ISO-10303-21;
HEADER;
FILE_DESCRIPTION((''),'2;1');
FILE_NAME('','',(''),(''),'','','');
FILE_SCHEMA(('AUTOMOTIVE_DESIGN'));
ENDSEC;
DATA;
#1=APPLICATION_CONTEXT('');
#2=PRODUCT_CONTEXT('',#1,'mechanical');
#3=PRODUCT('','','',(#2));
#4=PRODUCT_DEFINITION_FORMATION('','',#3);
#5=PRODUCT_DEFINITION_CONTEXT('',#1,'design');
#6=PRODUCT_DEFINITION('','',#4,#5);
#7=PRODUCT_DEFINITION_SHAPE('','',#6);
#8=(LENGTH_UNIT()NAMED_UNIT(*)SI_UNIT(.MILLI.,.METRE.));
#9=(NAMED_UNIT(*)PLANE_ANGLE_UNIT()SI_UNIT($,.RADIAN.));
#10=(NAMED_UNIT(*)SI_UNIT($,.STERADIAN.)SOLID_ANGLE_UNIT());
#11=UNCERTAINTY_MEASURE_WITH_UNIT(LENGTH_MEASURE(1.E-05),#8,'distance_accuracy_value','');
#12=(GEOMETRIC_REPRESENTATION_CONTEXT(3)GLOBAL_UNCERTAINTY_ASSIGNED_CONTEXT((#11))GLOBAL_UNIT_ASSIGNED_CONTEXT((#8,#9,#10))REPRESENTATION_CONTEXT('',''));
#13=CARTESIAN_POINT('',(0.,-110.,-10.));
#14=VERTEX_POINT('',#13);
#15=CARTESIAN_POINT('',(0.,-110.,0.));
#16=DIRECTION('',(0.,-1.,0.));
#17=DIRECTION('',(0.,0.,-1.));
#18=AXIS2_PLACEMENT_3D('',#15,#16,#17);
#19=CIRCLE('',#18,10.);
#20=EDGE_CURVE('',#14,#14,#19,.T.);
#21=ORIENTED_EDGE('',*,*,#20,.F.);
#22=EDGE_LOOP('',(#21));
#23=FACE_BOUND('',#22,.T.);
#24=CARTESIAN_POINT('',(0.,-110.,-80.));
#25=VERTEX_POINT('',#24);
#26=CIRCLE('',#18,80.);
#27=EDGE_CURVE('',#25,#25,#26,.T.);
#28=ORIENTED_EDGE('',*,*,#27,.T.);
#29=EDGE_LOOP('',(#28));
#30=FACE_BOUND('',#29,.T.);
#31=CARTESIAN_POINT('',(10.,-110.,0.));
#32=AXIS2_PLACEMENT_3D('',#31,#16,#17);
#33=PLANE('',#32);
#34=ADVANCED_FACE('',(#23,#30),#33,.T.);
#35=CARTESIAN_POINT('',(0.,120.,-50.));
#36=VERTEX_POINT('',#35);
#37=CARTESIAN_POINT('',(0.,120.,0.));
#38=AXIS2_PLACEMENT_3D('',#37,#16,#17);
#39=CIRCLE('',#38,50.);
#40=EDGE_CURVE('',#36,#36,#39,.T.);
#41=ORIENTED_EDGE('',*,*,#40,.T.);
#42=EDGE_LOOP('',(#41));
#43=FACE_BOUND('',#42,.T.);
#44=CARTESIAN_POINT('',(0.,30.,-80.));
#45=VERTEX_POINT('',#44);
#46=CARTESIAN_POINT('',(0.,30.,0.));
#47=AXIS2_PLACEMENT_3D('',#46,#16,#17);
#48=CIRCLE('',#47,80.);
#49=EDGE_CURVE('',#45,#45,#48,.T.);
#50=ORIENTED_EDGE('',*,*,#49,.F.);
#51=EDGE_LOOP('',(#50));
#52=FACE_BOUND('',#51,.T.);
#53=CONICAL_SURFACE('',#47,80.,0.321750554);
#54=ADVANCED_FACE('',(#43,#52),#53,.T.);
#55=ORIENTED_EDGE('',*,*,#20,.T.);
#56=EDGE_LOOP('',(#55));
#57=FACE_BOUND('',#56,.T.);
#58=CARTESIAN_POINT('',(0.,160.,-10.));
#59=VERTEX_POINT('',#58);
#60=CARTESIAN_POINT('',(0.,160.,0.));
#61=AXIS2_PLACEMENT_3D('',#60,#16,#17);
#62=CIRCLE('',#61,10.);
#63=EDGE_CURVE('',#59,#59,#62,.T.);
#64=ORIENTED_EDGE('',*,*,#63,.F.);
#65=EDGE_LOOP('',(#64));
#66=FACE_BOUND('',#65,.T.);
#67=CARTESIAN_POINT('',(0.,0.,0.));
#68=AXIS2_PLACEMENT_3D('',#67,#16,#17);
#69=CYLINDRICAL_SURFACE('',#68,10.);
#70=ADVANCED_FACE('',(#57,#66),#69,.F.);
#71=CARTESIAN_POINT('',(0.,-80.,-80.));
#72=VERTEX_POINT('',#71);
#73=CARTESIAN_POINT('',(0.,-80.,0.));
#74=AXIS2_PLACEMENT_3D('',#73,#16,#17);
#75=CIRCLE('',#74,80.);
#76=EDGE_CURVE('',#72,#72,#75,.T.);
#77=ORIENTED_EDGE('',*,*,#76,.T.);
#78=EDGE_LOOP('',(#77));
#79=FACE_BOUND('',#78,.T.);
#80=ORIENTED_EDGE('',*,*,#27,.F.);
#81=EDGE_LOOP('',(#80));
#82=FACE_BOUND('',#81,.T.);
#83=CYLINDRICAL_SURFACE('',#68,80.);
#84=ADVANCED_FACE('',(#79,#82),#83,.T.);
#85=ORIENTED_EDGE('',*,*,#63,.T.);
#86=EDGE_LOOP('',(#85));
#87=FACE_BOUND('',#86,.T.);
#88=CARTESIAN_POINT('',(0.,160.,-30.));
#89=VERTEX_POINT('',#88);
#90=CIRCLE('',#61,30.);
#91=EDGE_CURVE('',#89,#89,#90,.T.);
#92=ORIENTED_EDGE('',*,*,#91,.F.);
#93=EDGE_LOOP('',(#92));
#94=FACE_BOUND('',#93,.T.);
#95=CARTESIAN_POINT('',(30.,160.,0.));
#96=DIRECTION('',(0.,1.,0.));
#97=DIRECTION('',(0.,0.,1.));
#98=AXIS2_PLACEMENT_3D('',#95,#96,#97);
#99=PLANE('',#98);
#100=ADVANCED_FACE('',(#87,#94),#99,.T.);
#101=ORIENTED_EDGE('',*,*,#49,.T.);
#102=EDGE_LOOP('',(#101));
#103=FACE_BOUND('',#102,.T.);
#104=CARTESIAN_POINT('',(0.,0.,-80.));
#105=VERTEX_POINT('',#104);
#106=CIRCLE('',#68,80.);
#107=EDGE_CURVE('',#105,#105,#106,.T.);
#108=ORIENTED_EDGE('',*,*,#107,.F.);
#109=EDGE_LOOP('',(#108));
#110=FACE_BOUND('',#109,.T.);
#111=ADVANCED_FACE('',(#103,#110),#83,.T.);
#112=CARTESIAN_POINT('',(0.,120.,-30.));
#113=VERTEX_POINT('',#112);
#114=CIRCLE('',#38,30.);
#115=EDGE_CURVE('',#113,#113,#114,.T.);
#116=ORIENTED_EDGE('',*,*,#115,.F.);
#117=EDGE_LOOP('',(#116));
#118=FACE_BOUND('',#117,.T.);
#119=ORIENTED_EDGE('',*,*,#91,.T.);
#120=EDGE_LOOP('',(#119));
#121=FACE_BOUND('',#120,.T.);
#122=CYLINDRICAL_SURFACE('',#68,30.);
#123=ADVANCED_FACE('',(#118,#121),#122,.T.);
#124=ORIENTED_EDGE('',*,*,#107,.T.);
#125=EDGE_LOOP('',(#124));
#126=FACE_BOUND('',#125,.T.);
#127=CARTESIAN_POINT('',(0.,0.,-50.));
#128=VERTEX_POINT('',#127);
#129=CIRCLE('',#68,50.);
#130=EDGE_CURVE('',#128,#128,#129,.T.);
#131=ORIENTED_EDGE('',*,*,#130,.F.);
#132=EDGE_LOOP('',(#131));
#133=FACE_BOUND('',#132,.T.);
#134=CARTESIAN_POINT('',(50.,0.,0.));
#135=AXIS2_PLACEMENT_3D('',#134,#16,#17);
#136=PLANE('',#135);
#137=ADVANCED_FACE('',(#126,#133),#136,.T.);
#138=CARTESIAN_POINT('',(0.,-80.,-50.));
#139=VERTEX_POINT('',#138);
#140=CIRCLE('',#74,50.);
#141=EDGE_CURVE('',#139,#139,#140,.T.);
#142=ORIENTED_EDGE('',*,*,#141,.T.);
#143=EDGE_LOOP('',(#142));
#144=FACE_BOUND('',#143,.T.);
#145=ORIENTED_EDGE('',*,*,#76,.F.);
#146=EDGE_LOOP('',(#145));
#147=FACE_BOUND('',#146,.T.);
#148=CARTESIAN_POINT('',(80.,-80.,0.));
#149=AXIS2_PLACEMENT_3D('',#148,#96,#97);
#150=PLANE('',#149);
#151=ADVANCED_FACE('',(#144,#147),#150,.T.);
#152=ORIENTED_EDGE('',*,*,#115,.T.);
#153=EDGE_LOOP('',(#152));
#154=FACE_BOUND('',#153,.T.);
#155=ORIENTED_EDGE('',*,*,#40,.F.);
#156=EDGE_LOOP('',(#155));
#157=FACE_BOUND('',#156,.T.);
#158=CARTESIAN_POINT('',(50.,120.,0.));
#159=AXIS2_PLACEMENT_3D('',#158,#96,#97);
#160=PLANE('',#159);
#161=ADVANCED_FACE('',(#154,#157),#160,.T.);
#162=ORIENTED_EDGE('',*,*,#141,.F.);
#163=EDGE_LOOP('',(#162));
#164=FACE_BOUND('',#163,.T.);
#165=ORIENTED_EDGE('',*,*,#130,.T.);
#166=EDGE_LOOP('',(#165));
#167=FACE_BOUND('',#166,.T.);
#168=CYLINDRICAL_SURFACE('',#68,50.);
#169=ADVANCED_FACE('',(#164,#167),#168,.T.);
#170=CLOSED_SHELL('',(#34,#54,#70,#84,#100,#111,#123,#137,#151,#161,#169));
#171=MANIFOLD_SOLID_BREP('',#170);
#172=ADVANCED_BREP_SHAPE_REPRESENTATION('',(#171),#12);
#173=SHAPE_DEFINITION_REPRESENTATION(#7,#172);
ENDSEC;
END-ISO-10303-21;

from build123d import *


with BuildPart() as part:
    # Sketch1 → Revolve1 (revolve)
    with BuildSketch(Plane.XY, mode=Mode.PRIVATE) as revolve1_sk:
        Polygon((10, -110), (80, -110), (80, -80), (50, -80), (50, 0), (80, 0), (80, 30), (50, 120), (30, 120), (30, 160), (10, 160), align=None)
    revolve(revolve1_sk.sketch.rotate(Axis((0, 0, 0), (0, 1, 0)), 90), axis=Axis((0, 0, 0), (0, 1, 0)))


solid = part.part
